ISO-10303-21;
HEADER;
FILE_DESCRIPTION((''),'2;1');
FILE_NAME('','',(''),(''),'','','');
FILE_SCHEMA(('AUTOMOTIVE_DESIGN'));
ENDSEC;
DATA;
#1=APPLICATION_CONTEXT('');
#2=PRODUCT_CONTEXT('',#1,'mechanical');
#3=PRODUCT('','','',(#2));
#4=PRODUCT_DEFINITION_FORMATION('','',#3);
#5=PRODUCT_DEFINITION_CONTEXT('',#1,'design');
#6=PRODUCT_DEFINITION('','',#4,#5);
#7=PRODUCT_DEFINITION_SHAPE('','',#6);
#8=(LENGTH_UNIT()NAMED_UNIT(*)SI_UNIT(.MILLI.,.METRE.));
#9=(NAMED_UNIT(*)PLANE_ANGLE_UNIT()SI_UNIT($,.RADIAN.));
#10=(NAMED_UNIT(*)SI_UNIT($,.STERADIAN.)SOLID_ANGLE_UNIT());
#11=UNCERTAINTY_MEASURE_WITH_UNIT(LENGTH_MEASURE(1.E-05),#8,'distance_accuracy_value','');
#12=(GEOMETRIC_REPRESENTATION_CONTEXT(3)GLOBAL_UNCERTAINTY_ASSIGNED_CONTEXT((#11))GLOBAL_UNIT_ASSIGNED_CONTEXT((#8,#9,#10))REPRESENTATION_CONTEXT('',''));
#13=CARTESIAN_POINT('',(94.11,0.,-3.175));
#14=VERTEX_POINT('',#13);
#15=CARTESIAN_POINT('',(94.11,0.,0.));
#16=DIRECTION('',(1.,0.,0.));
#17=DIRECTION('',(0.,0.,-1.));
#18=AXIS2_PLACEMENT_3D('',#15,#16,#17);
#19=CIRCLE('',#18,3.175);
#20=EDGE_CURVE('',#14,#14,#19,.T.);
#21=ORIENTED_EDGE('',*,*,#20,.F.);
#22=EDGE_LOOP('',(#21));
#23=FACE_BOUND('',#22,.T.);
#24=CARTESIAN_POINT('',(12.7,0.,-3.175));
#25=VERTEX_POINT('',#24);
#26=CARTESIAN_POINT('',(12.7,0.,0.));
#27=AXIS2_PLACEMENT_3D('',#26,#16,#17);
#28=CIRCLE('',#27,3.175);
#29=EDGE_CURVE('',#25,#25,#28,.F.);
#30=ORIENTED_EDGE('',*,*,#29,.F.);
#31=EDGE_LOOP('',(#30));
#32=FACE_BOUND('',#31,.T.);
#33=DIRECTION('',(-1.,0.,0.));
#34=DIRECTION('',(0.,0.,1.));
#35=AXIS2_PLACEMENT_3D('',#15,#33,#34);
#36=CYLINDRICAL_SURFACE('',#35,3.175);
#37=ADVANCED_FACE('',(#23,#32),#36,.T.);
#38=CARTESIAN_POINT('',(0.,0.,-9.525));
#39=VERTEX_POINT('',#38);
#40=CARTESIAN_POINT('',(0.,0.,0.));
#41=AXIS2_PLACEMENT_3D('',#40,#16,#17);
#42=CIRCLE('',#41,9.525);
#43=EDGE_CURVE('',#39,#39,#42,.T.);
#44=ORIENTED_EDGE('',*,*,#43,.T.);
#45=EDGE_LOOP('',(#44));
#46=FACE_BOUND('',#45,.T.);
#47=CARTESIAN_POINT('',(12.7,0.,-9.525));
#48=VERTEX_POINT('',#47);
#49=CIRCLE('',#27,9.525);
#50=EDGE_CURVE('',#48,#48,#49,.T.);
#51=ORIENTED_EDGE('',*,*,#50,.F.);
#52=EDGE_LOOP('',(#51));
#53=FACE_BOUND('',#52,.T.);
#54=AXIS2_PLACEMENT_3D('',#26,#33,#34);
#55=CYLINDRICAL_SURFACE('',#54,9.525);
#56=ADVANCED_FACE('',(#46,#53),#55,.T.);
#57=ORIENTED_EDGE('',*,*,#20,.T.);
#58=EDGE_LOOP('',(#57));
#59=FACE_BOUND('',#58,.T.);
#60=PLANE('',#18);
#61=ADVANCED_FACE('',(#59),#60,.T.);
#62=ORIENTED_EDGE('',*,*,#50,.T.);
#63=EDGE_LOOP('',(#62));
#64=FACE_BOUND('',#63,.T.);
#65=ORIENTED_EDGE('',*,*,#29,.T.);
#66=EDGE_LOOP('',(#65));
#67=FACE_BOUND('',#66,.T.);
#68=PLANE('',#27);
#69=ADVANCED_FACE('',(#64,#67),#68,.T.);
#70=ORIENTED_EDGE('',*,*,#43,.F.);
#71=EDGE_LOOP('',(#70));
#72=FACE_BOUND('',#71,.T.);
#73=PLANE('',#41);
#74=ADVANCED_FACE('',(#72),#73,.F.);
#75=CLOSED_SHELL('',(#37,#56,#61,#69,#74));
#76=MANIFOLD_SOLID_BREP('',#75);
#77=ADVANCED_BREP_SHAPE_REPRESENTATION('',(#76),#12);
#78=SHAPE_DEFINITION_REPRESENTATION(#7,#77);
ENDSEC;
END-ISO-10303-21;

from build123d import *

# Parameters (mm, degrees)
SKETCH1_R           = 9.525
BOSS_EXTRUDE1_DEPTH = 12.7
BOSS_EXTRUDE2_START = -12.7
SKETCH2_R           = 3.175
BOSS_EXTRUDE2_DEPTH = 94.11


with BuildPart() as part:
    # Sketch1 → Boss-Extrude1 (new body)
    with BuildSketch(Plane(origin=(0, 0, 0), x_dir=(0, 0, -1), z_dir=(1, 0, 0))):
        Circle(SKETCH1_R)
    extrude(amount=BOSS_EXTRUDE1_DEPTH)

    # Sketch2 → Boss-Extrude2 (add)
    with BuildSketch(Plane(origin=(12.7, 0, 0), x_dir=(0, 0, -1), z_dir=(1, 0, 0)).offset(BOSS_EXTRUDE2_START)):
        Circle(SKETCH2_R)
    extrude(amount=BOSS_EXTRUDE2_DEPTH)


solid = part.part
